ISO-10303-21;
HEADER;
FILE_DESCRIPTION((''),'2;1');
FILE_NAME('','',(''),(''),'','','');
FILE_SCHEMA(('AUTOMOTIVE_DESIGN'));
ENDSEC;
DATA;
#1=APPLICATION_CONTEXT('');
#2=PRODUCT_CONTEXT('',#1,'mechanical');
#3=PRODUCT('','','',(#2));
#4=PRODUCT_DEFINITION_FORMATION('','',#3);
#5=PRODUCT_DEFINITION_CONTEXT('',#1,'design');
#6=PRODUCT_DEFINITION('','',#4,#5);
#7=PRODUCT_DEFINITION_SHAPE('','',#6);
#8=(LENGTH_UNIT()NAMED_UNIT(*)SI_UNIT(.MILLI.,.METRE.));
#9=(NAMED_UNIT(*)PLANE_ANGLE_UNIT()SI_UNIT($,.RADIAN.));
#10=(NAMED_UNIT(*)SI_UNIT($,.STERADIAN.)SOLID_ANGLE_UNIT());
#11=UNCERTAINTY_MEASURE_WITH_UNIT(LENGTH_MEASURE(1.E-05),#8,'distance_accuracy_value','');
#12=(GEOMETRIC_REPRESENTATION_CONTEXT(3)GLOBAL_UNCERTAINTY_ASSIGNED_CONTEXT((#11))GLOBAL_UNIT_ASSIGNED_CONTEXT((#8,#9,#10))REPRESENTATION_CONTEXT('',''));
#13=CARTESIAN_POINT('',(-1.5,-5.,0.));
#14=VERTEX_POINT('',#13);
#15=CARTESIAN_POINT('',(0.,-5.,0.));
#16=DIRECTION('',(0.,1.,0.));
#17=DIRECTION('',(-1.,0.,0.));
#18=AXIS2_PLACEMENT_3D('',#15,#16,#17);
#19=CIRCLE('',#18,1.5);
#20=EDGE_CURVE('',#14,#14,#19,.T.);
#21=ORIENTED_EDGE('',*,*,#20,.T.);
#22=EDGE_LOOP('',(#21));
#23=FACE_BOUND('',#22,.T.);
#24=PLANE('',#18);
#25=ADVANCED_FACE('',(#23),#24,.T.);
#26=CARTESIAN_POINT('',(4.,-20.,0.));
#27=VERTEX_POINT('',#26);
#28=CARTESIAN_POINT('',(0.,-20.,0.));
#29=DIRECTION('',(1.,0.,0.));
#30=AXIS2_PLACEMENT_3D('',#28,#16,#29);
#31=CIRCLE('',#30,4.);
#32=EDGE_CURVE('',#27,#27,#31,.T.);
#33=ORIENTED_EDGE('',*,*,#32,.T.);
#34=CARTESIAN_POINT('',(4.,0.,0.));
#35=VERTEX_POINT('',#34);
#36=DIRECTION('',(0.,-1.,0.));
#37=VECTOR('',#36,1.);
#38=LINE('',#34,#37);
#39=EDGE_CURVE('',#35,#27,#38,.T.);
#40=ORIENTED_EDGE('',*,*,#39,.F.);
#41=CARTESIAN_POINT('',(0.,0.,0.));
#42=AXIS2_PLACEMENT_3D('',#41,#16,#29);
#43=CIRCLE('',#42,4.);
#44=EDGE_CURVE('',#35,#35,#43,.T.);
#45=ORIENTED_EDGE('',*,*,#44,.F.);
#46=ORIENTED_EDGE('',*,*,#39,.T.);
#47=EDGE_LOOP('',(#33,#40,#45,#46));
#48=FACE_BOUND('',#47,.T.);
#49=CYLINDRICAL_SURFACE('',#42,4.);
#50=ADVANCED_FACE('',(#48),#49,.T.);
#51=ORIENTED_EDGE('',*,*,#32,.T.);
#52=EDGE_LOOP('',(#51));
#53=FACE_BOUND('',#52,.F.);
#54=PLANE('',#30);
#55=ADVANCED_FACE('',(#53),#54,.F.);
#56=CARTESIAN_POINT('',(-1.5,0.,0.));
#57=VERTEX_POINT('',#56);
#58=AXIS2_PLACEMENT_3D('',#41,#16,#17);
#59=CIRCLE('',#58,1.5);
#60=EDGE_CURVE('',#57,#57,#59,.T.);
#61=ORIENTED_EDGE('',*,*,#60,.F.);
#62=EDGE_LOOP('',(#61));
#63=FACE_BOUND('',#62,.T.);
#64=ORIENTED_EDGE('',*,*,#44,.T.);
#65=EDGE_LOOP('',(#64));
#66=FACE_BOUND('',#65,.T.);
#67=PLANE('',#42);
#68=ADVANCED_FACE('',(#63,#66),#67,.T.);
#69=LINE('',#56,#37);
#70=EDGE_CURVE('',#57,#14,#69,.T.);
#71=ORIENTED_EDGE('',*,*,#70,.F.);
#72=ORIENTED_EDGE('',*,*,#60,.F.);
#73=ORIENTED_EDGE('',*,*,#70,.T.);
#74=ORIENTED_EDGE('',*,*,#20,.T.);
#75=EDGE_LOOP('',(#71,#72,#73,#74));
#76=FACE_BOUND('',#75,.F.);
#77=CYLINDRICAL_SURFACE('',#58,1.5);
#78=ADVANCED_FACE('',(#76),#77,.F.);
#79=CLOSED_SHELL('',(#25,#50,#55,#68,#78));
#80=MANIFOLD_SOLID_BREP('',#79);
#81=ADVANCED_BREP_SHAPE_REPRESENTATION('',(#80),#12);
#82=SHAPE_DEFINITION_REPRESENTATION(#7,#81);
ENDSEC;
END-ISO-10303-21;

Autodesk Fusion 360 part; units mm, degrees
sketch "스케치1" plane through (0, 0, 0) normal (0, 1, 0) x (1, 0, 0)
  circle A0 centre (0, 0) radius 4
  dimension "d1" = 8
extrude "돌출1" add sketch "스케치1" against normal blind 20
sketch "스케치2" plane through (0, 0, 0) normal (0, 1, 0) x (-1, 0, 0)
  circle A0 centre (0, 0) radius 4
  circle A1 centre (0, 0) radius 1.5
  dimension "d4" = 3
extrude "돌출2" cut sketch "스케치2" against normal blind 5 contours A1
